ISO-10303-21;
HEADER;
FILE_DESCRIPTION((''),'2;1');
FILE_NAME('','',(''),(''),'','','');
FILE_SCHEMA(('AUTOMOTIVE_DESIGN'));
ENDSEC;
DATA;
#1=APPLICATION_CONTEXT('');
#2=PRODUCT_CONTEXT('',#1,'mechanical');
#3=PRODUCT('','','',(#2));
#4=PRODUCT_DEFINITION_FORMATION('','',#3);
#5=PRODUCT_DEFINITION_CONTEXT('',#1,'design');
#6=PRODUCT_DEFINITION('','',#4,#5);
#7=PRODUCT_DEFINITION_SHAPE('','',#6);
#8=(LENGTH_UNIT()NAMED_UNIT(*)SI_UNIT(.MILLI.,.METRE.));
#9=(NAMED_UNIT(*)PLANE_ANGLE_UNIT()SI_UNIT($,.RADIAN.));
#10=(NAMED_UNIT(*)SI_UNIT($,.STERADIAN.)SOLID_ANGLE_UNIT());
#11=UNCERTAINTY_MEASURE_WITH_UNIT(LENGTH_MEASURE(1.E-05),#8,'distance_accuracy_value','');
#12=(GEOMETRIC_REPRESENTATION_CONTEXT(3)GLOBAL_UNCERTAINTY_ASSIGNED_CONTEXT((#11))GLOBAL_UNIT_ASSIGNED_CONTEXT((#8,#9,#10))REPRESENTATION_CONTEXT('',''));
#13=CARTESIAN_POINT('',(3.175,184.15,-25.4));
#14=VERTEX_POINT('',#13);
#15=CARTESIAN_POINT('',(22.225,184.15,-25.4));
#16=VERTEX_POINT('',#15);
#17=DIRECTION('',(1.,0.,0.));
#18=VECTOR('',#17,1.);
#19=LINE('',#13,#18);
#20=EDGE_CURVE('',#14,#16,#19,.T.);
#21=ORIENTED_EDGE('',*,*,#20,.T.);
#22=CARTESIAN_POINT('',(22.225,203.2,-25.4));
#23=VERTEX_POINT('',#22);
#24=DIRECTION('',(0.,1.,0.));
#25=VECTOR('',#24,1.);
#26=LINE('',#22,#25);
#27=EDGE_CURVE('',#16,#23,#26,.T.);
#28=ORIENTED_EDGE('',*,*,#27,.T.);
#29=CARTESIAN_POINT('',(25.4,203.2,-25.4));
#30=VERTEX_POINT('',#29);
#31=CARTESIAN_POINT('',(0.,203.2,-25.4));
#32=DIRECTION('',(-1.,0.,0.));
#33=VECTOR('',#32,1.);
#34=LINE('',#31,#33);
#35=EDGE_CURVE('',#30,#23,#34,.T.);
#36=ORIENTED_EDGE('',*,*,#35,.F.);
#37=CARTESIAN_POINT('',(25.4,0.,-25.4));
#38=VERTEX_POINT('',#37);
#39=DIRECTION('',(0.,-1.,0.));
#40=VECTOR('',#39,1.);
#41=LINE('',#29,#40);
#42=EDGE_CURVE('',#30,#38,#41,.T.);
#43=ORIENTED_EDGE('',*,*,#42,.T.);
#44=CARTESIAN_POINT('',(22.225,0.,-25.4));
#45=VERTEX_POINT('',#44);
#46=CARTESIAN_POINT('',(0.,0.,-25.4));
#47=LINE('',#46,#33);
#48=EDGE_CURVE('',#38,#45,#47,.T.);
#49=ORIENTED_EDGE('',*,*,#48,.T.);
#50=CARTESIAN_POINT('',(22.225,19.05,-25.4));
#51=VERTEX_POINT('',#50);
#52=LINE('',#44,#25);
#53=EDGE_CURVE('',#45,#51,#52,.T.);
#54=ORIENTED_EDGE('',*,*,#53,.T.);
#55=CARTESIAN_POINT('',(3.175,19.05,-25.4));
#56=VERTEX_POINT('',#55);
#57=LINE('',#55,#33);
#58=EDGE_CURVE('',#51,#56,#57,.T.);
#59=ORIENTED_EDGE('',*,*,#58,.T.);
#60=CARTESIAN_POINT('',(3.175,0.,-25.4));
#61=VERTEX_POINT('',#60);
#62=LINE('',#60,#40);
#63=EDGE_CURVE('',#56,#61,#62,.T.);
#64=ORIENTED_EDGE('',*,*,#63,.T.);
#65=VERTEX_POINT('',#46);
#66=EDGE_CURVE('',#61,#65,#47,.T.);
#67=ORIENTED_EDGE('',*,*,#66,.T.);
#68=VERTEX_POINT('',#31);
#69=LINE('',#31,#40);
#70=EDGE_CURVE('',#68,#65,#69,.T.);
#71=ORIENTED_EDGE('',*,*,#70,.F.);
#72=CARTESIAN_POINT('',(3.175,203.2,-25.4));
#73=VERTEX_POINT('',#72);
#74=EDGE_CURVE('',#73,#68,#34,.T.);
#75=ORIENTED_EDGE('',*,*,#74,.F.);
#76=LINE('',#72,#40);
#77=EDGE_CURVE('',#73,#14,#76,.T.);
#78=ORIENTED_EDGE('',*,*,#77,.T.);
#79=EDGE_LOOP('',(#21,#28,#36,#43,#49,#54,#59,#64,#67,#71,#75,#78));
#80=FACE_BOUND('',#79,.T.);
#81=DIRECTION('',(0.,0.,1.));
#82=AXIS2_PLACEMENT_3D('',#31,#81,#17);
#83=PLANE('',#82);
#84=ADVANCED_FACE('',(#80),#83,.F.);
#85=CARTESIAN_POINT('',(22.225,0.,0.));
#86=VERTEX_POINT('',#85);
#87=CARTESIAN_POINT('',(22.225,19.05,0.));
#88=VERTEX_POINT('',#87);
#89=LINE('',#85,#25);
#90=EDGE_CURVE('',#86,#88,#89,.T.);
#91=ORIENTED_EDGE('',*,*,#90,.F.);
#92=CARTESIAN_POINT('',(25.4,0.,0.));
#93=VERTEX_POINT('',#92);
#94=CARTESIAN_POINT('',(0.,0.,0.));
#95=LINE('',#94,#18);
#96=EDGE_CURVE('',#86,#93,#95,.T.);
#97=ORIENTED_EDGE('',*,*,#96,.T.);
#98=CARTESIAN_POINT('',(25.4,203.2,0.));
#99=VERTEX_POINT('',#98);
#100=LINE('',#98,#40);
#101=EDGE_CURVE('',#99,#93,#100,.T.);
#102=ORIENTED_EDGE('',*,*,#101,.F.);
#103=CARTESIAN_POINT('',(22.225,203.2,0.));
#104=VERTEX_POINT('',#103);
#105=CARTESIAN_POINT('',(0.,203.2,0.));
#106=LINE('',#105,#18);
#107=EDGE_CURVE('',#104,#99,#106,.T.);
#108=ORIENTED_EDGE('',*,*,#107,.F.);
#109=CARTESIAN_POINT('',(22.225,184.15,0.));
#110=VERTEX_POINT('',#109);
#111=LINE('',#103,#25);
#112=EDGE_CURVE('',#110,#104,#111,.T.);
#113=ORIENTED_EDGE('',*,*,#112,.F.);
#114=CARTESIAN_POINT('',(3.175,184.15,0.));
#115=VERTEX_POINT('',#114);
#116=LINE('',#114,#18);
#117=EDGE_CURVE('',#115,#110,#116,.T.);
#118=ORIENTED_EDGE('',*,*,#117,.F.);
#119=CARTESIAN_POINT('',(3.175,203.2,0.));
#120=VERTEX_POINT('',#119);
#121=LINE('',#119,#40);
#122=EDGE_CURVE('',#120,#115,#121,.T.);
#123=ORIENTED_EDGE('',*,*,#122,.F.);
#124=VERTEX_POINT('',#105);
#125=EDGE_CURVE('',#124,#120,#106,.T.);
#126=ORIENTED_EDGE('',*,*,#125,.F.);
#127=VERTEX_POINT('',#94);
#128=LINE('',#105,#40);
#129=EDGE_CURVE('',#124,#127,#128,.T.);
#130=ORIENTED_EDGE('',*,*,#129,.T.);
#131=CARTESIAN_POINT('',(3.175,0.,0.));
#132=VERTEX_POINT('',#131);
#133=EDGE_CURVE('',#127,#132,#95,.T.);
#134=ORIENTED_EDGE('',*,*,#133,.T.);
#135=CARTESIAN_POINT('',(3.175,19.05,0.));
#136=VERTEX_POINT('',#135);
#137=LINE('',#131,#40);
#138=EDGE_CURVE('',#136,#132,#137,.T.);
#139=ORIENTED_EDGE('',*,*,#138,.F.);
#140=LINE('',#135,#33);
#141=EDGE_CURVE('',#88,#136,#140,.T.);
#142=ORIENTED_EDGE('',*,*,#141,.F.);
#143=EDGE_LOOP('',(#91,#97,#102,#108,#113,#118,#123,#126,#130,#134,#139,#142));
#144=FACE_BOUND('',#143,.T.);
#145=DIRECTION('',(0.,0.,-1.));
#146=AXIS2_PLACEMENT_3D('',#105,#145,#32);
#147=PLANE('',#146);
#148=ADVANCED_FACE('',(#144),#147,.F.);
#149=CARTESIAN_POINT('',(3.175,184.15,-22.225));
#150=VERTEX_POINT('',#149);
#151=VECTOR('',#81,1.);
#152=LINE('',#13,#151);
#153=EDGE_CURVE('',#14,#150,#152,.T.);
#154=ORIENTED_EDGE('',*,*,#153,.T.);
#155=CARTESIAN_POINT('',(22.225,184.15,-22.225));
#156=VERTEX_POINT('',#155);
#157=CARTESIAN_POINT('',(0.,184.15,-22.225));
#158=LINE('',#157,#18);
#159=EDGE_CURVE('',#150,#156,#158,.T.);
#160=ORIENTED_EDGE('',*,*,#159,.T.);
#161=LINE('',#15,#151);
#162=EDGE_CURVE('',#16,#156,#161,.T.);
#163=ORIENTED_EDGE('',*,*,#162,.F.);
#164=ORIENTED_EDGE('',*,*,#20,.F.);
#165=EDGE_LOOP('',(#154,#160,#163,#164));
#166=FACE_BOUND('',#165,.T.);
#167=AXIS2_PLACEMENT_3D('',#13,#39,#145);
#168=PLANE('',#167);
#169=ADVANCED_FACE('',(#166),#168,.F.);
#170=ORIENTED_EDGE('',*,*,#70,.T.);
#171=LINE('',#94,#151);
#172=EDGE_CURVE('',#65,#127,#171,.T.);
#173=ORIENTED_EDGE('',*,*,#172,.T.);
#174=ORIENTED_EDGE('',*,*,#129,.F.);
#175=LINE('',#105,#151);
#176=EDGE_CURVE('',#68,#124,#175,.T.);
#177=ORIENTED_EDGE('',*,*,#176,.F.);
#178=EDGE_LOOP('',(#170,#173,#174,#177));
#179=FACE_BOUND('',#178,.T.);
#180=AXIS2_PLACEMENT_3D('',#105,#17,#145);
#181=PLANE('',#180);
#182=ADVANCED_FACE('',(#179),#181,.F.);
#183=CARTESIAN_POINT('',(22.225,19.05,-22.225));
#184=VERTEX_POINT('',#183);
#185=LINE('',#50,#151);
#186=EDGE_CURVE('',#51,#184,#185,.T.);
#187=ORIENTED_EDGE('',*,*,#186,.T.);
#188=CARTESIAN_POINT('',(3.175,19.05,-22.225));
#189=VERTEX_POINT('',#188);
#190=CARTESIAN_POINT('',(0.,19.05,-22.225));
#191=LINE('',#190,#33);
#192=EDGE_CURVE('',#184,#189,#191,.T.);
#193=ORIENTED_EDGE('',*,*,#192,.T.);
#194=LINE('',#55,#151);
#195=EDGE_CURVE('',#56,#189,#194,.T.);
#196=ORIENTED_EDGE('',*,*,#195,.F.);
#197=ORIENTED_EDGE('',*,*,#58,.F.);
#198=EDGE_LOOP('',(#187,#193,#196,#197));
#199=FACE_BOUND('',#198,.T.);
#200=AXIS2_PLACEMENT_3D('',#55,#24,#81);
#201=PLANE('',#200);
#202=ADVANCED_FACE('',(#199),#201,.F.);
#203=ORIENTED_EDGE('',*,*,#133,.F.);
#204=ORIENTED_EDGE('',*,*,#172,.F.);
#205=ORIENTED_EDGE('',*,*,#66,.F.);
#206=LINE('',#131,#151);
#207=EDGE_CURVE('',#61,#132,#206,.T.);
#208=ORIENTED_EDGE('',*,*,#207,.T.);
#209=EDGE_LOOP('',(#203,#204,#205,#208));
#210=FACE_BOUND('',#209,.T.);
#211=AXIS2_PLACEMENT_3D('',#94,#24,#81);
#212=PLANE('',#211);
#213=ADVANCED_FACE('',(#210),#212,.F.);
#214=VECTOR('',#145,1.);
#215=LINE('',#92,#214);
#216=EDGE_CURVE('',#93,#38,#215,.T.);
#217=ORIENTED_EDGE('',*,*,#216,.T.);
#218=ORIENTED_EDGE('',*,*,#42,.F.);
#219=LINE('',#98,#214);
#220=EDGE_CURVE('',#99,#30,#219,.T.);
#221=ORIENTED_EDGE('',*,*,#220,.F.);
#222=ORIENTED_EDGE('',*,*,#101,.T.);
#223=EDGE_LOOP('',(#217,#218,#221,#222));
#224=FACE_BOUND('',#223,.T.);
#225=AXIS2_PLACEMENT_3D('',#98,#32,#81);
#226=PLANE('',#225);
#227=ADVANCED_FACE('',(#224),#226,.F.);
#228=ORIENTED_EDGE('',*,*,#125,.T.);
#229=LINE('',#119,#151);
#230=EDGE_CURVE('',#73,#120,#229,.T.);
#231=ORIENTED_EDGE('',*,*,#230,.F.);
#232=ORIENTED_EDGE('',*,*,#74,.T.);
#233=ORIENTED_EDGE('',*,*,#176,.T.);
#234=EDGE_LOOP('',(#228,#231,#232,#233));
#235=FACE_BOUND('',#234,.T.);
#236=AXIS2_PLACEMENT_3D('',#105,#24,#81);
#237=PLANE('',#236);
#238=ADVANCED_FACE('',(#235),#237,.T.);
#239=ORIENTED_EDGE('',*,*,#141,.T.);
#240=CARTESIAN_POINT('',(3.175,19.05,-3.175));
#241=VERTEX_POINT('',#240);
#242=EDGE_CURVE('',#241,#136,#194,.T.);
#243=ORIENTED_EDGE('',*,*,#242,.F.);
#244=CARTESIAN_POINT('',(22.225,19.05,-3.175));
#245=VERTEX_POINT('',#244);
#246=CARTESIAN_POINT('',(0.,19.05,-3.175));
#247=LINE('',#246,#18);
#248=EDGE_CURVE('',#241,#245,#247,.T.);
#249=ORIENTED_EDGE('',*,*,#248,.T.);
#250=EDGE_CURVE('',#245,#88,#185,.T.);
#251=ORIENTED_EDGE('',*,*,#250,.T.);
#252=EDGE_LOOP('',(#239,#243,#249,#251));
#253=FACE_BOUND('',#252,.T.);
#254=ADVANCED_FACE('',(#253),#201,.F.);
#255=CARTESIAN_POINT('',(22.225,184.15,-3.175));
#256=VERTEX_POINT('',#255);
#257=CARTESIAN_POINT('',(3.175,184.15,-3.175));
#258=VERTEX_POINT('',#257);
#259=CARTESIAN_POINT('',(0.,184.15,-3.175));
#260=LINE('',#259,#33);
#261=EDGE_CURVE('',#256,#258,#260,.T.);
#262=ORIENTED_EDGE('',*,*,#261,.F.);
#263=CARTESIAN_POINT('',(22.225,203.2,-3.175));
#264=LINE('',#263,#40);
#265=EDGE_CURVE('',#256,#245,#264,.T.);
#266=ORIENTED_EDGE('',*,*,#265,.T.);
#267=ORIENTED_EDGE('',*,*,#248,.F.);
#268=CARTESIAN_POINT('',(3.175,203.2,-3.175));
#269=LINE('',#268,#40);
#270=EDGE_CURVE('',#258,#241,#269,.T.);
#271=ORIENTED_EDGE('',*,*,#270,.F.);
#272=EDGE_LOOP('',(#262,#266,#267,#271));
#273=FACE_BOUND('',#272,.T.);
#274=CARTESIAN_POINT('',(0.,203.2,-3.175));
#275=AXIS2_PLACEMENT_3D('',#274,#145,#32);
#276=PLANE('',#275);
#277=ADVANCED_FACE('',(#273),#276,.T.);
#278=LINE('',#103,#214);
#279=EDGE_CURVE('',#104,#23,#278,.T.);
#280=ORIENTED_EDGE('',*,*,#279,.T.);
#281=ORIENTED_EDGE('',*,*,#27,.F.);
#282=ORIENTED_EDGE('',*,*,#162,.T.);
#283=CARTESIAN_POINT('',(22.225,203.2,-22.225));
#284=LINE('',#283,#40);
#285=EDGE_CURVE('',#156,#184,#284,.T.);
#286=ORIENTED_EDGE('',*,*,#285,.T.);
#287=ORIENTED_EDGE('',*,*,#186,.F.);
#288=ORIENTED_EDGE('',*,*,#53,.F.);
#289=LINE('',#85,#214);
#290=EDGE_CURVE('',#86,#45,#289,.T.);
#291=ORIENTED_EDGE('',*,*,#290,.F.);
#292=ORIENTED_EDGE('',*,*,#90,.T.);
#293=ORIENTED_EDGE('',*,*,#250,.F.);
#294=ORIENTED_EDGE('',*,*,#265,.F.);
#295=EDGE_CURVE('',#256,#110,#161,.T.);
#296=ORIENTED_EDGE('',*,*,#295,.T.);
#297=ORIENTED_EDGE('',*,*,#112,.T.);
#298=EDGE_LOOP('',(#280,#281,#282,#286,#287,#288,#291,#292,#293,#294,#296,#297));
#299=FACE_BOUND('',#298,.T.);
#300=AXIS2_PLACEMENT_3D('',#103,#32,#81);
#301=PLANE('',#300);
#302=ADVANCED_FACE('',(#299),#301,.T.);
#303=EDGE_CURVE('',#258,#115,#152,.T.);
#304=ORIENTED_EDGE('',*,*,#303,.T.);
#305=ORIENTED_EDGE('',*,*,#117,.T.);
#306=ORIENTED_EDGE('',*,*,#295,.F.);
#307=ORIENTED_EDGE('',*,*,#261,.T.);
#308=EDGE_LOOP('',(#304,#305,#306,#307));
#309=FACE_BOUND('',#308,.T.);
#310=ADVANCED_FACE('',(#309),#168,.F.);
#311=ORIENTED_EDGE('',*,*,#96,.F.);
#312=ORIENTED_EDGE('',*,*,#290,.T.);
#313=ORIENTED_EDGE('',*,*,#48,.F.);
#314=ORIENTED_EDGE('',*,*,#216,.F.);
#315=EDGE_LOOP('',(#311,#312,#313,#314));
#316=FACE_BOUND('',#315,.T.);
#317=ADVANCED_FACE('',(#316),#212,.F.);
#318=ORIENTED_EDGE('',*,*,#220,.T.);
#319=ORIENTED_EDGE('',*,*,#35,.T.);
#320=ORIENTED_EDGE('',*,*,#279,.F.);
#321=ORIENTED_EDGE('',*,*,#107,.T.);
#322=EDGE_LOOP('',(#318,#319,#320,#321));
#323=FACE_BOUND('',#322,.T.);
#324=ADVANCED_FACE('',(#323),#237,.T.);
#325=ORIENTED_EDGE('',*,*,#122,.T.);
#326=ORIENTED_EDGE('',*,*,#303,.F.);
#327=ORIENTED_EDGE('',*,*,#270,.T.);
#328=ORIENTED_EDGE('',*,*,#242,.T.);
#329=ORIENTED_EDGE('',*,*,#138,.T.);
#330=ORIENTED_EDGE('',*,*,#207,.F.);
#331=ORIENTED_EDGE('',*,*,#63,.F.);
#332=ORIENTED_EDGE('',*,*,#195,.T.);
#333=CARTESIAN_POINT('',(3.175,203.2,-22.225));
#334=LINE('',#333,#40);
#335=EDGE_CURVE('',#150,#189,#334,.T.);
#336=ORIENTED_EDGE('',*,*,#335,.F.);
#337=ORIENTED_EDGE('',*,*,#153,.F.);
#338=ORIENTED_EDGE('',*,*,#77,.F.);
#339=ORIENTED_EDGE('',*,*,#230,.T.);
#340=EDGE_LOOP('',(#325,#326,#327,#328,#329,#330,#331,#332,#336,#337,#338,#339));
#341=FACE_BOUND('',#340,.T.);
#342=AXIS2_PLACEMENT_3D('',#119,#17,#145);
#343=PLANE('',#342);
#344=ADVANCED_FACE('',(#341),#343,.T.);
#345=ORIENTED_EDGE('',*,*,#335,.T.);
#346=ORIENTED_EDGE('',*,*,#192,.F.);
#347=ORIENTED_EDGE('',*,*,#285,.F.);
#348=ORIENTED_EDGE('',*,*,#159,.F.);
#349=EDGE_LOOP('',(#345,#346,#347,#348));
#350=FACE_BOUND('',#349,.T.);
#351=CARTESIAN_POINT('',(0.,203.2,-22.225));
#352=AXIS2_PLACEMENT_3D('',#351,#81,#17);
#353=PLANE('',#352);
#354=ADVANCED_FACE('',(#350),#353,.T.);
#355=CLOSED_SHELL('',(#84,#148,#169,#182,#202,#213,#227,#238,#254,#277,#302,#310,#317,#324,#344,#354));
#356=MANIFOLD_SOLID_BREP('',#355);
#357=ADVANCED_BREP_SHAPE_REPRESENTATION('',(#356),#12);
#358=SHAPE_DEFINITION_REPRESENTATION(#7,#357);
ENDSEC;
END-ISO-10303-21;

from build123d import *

# Parameters (mm, degrees)
SKETCH1_W           = 25.4
SKETCH1_H           = 25.4
SKETCH1_W_2         = 19.05
SKETCH1_H_2         = 19.05
EXTRUDE_THIN1_DEPTH = 203.2
SKETCH3_W           = 19.05
SKETCH3_H           = 19.05
CUT_EXTRUDE1_DEPTH  = 207.350575478
SKETCH4_W           = 19.05
SKETCH4_H           = 19.05
CUT_EXTRUDE2_DEPTH  = 207.350575478


with BuildPart() as part:
    # Sketch1 → Extrude-Thin1 (new body)
    with BuildSketch(Plane(origin=(0, 0, 0), x_dir=(1, 0, 0), z_dir=(0, 1, 0))):
        with Locations((12.7, 12.7)):
            Rectangle(SKETCH1_W, SKETCH1_H)
        with Locations((12.7, 12.7)):
            Rectangle(SKETCH1_W_2, SKETCH1_H_2, mode=Mode.SUBTRACT)
    extrude(amount=EXTRUDE_THIN1_DEPTH)

    # Sketch3 → Cut-Extrude1 (cut, through all)
    with BuildSketch(Plane.XY):
        with Locations((12.7, 193.675)):
            Rectangle(SKETCH3_W, SKETCH3_H)
    extrude(amount=-CUT_EXTRUDE1_DEPTH, mode=Mode.SUBTRACT)

    # Sketch4 → Cut-Extrude2 (cut, through all)
    with BuildSketch(Plane.XY):
        with Locations((12.7, 9.525)):
            Rectangle(SKETCH4_W, SKETCH4_H)
    extrude(amount=-CUT_EXTRUDE2_DEPTH, mode=Mode.SUBTRACT)


solid = part.part
